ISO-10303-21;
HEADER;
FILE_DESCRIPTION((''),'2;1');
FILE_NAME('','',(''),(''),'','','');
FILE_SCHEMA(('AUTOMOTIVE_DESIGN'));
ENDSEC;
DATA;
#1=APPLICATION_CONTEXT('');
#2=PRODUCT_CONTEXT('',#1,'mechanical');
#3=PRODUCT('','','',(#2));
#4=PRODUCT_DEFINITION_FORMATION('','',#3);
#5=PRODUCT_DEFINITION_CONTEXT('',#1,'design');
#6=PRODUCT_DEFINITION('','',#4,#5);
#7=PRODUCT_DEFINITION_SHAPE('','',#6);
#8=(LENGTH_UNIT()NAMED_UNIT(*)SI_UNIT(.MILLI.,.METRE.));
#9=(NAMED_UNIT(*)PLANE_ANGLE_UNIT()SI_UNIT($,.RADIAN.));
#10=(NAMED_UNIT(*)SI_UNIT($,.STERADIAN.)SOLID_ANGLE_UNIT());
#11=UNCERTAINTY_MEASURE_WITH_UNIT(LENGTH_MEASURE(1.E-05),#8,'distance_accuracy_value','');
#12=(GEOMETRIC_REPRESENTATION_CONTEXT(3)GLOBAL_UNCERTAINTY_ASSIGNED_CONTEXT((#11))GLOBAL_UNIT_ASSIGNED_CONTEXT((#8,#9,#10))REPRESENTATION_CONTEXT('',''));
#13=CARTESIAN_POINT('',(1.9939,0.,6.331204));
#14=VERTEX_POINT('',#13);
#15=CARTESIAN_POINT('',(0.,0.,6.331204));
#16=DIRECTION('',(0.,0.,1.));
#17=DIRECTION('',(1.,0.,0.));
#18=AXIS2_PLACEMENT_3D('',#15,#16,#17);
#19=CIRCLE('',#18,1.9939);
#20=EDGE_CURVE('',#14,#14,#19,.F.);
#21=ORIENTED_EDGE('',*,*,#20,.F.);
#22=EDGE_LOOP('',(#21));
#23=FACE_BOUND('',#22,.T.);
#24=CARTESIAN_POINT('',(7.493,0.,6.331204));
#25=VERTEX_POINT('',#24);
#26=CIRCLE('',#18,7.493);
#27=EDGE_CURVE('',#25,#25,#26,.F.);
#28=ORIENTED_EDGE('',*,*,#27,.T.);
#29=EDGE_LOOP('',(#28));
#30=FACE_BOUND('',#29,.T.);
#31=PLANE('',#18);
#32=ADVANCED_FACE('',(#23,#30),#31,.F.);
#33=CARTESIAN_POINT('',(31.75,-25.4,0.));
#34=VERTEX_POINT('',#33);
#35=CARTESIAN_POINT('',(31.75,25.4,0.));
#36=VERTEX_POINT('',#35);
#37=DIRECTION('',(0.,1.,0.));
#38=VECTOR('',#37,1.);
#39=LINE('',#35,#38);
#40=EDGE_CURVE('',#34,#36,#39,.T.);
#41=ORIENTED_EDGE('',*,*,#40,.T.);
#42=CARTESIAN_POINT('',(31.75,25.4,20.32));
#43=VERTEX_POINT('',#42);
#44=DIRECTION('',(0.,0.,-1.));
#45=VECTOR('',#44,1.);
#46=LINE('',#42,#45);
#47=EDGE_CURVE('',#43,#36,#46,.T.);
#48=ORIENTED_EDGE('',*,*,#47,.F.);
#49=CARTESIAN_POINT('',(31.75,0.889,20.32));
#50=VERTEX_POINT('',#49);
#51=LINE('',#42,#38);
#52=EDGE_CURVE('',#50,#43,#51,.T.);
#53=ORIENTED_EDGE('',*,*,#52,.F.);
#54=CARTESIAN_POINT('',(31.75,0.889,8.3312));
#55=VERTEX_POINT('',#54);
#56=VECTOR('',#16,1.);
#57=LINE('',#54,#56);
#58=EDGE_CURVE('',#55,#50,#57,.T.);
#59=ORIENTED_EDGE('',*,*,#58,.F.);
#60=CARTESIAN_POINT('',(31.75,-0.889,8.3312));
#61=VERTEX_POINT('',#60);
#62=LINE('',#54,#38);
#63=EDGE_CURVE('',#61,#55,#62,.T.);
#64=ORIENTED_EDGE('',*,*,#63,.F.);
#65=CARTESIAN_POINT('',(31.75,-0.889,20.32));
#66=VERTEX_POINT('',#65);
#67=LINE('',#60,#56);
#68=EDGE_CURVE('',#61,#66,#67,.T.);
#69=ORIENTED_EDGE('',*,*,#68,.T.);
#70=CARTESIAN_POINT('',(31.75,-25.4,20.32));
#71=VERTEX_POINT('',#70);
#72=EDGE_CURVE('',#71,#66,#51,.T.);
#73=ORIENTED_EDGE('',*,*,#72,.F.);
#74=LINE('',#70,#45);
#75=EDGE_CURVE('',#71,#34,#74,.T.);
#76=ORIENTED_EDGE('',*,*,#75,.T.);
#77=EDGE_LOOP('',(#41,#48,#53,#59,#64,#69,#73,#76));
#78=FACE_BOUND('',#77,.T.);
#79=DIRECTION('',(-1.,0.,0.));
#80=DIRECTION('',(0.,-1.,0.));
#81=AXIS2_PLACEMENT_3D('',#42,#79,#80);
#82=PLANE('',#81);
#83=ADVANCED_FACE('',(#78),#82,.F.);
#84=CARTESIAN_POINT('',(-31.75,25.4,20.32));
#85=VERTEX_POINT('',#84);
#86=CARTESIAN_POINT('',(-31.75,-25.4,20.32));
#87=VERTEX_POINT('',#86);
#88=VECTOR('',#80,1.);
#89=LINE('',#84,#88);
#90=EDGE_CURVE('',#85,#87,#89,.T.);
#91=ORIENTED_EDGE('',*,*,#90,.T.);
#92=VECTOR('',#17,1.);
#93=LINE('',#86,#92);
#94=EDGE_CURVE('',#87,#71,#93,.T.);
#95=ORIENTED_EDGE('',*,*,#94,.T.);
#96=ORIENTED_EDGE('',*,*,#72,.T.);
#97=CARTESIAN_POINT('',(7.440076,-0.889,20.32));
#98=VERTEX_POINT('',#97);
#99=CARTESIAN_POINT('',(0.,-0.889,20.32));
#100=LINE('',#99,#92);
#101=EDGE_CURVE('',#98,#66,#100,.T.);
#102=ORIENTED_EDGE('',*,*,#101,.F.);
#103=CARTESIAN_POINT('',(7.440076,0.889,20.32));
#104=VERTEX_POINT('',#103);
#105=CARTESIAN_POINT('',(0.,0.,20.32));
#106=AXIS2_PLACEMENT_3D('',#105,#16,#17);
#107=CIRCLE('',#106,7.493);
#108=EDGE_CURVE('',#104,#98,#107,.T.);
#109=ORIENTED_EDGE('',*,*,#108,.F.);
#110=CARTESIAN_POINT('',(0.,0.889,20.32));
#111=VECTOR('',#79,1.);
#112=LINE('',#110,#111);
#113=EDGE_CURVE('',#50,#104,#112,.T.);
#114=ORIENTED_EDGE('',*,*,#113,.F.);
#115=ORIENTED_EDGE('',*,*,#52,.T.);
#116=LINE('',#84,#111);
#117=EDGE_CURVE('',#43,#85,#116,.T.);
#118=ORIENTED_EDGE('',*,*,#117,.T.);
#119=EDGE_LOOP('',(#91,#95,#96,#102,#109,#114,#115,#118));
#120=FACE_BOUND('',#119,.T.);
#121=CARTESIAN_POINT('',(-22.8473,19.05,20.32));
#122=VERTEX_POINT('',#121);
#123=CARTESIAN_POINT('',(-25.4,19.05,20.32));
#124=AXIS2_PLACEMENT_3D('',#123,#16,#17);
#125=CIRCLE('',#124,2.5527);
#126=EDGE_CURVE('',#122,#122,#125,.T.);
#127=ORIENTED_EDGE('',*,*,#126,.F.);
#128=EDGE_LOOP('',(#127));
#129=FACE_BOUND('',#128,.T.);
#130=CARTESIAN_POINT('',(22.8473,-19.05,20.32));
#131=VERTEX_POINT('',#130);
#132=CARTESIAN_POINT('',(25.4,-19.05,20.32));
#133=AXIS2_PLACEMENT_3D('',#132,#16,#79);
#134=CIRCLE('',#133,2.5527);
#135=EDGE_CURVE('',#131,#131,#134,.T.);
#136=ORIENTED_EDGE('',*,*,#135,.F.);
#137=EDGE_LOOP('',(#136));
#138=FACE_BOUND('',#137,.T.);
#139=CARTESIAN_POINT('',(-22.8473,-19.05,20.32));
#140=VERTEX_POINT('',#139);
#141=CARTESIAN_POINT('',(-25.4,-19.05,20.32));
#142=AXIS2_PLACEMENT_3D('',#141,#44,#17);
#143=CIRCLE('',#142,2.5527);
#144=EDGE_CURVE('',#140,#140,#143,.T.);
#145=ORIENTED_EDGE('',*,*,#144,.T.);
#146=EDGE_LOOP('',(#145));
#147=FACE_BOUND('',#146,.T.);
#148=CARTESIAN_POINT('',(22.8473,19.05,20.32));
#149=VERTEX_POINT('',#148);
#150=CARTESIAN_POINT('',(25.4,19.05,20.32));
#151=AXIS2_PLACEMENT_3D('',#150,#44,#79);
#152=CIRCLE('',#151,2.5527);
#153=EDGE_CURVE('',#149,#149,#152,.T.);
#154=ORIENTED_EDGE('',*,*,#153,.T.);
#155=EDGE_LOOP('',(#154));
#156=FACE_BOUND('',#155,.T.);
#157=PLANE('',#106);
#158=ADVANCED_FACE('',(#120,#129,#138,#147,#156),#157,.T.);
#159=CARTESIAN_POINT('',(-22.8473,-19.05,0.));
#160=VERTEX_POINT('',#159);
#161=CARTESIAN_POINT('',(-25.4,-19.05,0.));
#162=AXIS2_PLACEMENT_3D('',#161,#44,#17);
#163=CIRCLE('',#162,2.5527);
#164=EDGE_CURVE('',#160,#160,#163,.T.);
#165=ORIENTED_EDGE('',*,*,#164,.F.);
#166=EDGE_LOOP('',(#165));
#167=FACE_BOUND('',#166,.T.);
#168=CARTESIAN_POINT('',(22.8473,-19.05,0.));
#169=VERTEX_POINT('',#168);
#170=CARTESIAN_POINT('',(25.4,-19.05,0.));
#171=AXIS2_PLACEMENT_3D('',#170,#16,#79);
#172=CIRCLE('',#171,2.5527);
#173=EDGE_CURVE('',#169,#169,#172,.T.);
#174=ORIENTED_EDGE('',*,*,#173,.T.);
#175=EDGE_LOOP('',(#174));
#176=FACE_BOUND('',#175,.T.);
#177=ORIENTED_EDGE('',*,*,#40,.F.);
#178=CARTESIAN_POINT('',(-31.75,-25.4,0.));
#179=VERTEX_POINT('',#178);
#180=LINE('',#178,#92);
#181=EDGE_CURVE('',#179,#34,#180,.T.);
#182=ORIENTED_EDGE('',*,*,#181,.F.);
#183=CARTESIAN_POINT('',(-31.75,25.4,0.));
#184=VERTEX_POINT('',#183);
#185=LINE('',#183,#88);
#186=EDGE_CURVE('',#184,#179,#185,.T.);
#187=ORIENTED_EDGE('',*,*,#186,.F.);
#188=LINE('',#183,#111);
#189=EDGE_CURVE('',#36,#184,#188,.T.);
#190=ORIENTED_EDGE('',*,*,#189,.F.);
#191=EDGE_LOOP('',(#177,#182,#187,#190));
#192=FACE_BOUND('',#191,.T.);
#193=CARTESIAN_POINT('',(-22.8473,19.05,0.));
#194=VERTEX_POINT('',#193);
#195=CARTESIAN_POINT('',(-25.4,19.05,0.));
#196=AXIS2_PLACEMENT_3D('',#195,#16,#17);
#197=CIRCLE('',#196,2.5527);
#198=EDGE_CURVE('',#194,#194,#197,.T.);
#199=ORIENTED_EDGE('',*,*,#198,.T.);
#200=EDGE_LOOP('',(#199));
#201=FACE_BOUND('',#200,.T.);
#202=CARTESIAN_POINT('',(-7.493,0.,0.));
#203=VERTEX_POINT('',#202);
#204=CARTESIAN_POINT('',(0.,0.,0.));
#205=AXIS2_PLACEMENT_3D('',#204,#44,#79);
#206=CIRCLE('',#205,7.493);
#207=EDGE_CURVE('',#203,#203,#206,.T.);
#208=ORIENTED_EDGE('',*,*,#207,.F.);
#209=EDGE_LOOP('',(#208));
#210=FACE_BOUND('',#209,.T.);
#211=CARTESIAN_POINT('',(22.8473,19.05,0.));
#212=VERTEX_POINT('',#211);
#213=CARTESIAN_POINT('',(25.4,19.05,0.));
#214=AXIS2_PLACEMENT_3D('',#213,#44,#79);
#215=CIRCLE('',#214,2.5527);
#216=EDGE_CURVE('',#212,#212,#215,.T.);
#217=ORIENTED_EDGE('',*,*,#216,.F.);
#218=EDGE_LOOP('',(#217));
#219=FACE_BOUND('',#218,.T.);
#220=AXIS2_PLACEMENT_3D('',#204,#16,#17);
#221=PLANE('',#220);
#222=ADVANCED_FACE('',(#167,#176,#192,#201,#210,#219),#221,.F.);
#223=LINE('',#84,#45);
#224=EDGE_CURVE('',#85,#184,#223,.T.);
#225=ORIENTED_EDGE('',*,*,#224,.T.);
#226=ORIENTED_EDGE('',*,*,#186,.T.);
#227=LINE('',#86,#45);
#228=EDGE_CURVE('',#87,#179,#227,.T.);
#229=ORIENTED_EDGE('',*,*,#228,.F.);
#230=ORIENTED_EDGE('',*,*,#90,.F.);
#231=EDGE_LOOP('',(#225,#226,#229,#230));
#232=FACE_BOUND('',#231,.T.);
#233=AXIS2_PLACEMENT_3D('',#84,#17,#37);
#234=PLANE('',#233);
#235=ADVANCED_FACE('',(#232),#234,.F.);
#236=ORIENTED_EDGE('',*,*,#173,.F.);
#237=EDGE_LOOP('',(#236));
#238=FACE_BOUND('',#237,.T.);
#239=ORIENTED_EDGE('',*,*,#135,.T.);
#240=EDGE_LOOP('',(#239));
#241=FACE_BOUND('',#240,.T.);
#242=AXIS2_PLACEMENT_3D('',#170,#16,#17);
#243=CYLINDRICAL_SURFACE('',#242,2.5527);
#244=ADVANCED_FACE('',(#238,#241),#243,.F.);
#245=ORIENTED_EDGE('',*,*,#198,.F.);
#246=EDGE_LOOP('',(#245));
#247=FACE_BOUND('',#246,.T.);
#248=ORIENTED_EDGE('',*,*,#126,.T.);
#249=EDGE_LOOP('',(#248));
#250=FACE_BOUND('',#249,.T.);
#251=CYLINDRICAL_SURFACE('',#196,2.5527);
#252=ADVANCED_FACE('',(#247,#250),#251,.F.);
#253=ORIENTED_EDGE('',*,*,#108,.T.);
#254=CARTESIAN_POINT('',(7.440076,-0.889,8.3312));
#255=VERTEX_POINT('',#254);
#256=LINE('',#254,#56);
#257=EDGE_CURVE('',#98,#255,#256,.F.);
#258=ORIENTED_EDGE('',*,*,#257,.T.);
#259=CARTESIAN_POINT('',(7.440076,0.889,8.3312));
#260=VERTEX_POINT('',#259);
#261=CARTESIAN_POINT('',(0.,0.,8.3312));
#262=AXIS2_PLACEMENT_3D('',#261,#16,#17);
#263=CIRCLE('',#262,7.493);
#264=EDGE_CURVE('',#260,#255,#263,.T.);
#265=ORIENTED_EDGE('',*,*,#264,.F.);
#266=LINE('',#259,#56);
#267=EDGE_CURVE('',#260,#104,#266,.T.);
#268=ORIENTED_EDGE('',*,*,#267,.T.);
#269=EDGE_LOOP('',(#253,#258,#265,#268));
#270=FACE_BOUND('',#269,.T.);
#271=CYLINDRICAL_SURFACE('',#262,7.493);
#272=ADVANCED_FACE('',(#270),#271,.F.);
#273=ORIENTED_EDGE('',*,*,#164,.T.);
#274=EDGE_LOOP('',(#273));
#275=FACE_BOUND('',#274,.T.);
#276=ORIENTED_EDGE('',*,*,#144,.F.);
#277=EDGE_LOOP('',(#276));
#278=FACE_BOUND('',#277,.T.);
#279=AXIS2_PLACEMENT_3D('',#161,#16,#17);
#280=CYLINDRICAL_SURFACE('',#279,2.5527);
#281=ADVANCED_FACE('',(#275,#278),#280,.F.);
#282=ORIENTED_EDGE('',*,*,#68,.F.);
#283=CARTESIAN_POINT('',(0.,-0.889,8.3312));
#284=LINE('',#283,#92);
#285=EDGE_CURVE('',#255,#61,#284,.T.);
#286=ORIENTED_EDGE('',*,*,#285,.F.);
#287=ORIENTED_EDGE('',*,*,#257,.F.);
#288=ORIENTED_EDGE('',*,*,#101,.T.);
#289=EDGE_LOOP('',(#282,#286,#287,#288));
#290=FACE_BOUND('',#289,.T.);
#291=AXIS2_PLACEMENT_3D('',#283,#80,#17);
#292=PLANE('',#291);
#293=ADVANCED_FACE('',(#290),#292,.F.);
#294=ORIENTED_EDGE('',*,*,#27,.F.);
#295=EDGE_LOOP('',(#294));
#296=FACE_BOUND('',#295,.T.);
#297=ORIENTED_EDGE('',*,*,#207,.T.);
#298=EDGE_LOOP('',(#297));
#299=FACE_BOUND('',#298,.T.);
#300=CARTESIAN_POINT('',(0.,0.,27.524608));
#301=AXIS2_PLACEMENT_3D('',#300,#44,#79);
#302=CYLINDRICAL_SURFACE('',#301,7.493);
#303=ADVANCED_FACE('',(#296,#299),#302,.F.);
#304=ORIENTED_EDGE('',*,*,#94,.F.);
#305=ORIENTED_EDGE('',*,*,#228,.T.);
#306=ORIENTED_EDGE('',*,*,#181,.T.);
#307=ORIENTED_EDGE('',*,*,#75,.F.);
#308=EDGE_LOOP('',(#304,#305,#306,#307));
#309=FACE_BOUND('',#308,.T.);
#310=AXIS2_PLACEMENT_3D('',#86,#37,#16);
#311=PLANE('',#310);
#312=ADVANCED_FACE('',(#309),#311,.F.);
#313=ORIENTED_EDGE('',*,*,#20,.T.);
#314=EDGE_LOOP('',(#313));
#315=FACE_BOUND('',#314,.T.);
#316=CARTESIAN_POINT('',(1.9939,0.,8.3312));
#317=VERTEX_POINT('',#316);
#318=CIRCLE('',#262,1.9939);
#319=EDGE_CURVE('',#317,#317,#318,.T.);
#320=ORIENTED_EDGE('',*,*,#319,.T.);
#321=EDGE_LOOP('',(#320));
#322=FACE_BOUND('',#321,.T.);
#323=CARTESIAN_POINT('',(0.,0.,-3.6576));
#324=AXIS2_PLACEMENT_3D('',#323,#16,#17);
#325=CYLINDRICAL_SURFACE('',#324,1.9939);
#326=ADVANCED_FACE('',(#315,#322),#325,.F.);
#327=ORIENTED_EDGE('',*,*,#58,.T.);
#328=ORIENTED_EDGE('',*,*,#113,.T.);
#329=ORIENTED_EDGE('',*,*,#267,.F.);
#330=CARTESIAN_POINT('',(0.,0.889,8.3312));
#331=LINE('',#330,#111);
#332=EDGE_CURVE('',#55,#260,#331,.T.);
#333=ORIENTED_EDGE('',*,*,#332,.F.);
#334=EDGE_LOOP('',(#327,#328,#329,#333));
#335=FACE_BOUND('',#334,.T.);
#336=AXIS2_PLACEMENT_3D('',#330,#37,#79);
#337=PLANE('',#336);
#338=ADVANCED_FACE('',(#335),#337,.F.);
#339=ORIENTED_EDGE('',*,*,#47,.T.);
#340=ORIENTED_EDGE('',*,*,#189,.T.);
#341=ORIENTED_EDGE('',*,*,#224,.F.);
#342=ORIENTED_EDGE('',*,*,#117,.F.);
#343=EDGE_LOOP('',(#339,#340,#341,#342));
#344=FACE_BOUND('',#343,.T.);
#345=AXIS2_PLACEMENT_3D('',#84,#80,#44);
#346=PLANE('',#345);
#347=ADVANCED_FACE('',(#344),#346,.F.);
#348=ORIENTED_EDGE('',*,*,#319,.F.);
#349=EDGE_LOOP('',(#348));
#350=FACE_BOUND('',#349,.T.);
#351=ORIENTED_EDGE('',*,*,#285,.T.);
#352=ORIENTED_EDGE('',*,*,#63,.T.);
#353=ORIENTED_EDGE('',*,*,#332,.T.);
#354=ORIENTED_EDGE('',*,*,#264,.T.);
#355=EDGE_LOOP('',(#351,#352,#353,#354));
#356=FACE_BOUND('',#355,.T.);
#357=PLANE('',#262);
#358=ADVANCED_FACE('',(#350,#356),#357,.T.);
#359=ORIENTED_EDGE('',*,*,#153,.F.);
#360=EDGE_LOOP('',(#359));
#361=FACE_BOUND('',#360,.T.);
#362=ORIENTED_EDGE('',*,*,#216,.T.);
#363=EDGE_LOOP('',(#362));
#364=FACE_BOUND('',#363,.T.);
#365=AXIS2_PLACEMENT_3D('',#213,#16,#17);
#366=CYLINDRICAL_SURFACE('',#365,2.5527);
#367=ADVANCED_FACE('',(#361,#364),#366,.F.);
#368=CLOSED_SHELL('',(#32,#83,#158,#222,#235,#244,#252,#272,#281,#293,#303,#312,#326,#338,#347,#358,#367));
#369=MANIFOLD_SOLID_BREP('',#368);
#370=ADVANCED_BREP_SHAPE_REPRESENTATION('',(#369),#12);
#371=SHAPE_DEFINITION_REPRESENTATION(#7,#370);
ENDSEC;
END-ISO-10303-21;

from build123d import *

# Parameters (mm, degrees)
SKETCH1_W               = 63.5
SKETCH1_H               = 50.8
BOSS_EXTRUDE1_DEPTH     = 20.32
SKETCH2_R               = 7.493
CUT_EXTRUDE1_DEPTH      = 11.9888
SKETCH3_W               = 31.75
SKETCH3_H               = 1.778
CUT_EXTRUDE2_DEPTH      = 11.9888
SKETCH9_R               = 1.9939
CUT_EXTRUDE3_DEPTH      = 11.9888
CUT_EXTRUDE4_START      = -6.331204
SKETCH10_R              = 7.493
CUT_EXTRUDE4_DEPTH      = 6.331204
SKETCH11_R              = 2.5527
CUT_EXTRUDE5_DEPTH      = 21.32
MIRROR2_COPY_1_SKETCH_R = 2.5527
MIRROR2_COPY_1_DEPTH    = 21.32


with BuildPart() as part:
    # Sketch1 → Boss-Extrude1 (new body)
    with BuildSketch(Plane.XY):
        Rectangle(SKETCH1_W, SKETCH1_H)
    extrude(amount=BOSS_EXTRUDE1_DEPTH)

    # Sketch2 → Cut-Extrude1 (cut)
    with BuildSketch(Plane.XY.offset(20.32)):
        Circle(SKETCH2_R)
    extrude(amount=-CUT_EXTRUDE1_DEPTH, mode=Mode.SUBTRACT)

    # Sketch3 → Cut-Extrude2 (cut)
    with BuildSketch(Plane.XY.offset(20.32)):
        with Locations((15.875, 0)):
            Rectangle(SKETCH3_W, SKETCH3_H)
    extrude(amount=-CUT_EXTRUDE2_DEPTH, mode=Mode.SUBTRACT)

    # Sketch9 → Cut-Extrude3 (cut)
    with BuildSketch(Plane.XY.offset(8.3312)):
        Circle(SKETCH9_R)
    extrude(amount=-CUT_EXTRUDE3_DEPTH, mode=Mode.SUBTRACT)

    # Sketch10 → Cut-Extrude4 (cut)
    with BuildSketch(Plane(origin=(0, 0, 0), x_dir=(-1, 0, 0), z_dir=(0, 0, -1)).offset(CUT_EXTRUDE4_START)):
        Circle(SKETCH10_R)
    extrude(amount=CUT_EXTRUDE4_DEPTH, mode=Mode.SUBTRACT)

    # Sketch11 → Cut-Extrude5 (cut, through all)
    with BuildSketch(Plane.XY.offset(20.32)):
        with Locations((-25.4, 19.05)):
            Circle(SKETCH11_R)
    cut_extrude5 = extrude(amount=-CUT_EXTRUDE5_DEPTH, mode=Mode.SUBTRACT)

    # Mirror1: Cut-Extrude5 across plane
    add(cut_extrude5.mirror(Plane(origin=(0, 0, 0), x_dir=(0, 0, 1), z_dir=(1, 0, 0))), mode=Mode.SUBTRACT)

    # Mirror2: Cut-Extrude5 across plane
    add(cut_extrude5.mirror(Plane.ZX), mode=Mode.SUBTRACT)

    # Mirror2 copy 1 sketch → Mirror2 copy 1 (cut, through all)
    with BuildSketch(Plane(origin=(0, 0, 20.32), x_dir=(-1, 0, 0), z_dir=(0, 0, 1))):
        with Locations((-25.4, 19.05)):
            Circle(MIRROR2_COPY_1_SKETCH_R)
    extrude(amount=-MIRROR2_COPY_1_DEPTH, mode=Mode.SUBTRACT)


solid = part.part
